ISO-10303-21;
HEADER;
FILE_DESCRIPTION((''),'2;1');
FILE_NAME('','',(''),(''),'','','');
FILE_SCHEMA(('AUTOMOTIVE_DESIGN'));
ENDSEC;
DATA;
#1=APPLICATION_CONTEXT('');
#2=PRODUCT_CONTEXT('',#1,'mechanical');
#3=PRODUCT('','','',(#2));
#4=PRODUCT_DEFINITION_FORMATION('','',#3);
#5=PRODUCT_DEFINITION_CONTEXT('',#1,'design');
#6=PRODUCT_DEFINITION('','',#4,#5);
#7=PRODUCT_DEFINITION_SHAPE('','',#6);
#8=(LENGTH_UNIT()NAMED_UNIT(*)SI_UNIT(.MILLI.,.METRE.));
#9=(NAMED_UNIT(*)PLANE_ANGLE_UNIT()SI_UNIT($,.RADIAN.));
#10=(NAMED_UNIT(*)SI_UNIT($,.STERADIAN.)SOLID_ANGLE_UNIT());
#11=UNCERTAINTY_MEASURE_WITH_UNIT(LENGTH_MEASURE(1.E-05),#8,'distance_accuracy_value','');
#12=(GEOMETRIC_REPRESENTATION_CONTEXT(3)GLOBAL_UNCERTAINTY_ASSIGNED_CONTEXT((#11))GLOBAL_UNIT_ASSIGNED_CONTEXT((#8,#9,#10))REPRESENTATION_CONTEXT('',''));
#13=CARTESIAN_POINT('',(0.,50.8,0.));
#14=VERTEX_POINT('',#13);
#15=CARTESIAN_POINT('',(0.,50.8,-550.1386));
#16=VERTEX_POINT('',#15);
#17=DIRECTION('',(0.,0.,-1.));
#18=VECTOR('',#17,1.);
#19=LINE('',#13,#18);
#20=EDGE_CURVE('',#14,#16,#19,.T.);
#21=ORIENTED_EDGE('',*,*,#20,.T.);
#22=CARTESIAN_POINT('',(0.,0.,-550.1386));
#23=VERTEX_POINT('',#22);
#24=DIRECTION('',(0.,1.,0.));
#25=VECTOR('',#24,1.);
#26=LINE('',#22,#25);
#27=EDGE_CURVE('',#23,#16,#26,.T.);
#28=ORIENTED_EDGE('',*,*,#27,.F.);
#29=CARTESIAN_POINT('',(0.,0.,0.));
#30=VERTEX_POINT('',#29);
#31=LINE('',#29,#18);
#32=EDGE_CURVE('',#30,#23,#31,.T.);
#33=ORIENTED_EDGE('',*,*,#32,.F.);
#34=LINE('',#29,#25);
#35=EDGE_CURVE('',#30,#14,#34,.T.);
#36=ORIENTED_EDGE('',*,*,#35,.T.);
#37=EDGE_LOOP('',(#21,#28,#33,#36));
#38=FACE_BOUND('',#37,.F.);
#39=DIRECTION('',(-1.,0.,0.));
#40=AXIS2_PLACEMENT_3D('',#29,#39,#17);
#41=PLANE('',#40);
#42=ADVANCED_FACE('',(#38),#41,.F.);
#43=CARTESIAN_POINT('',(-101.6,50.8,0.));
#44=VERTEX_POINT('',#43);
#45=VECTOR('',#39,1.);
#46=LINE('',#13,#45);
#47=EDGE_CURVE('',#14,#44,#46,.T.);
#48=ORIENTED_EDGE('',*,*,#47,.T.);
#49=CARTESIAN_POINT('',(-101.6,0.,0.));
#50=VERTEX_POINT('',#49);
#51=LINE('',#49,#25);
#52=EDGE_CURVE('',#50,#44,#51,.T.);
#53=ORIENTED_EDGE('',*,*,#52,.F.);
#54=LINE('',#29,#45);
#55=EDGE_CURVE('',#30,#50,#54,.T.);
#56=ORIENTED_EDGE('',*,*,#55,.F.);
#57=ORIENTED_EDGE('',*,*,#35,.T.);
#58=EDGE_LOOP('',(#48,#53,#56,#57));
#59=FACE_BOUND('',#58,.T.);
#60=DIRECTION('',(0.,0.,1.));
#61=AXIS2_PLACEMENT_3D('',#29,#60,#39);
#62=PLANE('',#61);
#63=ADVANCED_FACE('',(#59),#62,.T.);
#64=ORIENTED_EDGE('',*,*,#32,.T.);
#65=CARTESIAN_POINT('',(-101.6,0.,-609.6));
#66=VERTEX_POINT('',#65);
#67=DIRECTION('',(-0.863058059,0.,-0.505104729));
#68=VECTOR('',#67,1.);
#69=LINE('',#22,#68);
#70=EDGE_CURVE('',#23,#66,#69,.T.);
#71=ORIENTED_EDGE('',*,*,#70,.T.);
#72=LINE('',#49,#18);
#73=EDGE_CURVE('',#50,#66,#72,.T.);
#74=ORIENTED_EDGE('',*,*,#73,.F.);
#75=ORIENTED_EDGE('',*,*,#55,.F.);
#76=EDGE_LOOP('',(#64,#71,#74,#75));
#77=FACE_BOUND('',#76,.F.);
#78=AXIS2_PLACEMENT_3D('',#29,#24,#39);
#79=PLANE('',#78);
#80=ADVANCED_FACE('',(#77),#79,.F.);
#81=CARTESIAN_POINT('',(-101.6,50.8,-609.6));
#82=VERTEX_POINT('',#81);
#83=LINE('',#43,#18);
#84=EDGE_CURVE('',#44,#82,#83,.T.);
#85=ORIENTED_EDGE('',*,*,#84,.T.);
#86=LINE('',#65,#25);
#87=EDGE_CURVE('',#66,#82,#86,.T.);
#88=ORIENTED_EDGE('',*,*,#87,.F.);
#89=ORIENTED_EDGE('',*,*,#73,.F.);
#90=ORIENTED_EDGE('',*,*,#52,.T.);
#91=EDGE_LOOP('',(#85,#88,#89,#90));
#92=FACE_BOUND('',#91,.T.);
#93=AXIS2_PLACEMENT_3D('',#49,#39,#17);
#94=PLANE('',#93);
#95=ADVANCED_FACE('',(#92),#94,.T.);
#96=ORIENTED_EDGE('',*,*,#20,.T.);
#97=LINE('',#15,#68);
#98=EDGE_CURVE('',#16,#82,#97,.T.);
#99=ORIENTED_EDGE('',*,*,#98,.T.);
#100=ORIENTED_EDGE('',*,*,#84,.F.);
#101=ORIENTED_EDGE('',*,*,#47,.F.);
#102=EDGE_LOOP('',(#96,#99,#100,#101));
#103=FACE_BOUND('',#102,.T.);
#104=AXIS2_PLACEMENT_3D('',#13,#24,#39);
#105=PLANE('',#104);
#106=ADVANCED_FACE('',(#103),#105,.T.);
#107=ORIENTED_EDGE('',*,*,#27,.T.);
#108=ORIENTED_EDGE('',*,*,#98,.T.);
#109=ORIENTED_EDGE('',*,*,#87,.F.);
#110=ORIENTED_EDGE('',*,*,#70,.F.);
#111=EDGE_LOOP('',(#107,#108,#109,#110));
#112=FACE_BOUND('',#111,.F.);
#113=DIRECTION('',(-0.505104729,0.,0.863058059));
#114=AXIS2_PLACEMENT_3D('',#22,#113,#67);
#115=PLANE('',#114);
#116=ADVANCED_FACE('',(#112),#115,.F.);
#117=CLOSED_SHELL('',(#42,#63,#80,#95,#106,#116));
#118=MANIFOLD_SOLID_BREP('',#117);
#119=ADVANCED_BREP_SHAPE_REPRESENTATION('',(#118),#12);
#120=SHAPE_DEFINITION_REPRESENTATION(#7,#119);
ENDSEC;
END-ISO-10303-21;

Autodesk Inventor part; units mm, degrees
ref_plane "YZ Plane" through (0, 0, 0) normal (1, 0, 0) x (0, 1, 0)
ref_plane "XZ Plane" through (0, 0, 0) normal (0, 1, 0) x (-1, 0, 0)
ref_plane "XY Plane" through (0, 0, 0) normal (0, 0, 1) x (1, 0, 0)
sketch "Sketch1" plane through (0, 0, 0) normal (0, 1, 0) x (-1, 0, 0)
  line L0 (0, 0) -> (101.6, 0)
  line L1 (101.6, 0) -> (101.6, -609.6)
  line L2 (0, -552.069) -> (101.6, -609.6)
  line L3 (0, 0) -> (0, -550.1386)
  line L4 (0, -550.1386) -> (101.6, -609.6)
  point P0 (101.6, -550.1386)
  dimension "d2" = 609.6
  dimension "d5" = 59.4614
extrude "Extrusion1" add sketch "Sketch1" along normal blind 50.8
properties part number "2x4x24(with a cut)"
